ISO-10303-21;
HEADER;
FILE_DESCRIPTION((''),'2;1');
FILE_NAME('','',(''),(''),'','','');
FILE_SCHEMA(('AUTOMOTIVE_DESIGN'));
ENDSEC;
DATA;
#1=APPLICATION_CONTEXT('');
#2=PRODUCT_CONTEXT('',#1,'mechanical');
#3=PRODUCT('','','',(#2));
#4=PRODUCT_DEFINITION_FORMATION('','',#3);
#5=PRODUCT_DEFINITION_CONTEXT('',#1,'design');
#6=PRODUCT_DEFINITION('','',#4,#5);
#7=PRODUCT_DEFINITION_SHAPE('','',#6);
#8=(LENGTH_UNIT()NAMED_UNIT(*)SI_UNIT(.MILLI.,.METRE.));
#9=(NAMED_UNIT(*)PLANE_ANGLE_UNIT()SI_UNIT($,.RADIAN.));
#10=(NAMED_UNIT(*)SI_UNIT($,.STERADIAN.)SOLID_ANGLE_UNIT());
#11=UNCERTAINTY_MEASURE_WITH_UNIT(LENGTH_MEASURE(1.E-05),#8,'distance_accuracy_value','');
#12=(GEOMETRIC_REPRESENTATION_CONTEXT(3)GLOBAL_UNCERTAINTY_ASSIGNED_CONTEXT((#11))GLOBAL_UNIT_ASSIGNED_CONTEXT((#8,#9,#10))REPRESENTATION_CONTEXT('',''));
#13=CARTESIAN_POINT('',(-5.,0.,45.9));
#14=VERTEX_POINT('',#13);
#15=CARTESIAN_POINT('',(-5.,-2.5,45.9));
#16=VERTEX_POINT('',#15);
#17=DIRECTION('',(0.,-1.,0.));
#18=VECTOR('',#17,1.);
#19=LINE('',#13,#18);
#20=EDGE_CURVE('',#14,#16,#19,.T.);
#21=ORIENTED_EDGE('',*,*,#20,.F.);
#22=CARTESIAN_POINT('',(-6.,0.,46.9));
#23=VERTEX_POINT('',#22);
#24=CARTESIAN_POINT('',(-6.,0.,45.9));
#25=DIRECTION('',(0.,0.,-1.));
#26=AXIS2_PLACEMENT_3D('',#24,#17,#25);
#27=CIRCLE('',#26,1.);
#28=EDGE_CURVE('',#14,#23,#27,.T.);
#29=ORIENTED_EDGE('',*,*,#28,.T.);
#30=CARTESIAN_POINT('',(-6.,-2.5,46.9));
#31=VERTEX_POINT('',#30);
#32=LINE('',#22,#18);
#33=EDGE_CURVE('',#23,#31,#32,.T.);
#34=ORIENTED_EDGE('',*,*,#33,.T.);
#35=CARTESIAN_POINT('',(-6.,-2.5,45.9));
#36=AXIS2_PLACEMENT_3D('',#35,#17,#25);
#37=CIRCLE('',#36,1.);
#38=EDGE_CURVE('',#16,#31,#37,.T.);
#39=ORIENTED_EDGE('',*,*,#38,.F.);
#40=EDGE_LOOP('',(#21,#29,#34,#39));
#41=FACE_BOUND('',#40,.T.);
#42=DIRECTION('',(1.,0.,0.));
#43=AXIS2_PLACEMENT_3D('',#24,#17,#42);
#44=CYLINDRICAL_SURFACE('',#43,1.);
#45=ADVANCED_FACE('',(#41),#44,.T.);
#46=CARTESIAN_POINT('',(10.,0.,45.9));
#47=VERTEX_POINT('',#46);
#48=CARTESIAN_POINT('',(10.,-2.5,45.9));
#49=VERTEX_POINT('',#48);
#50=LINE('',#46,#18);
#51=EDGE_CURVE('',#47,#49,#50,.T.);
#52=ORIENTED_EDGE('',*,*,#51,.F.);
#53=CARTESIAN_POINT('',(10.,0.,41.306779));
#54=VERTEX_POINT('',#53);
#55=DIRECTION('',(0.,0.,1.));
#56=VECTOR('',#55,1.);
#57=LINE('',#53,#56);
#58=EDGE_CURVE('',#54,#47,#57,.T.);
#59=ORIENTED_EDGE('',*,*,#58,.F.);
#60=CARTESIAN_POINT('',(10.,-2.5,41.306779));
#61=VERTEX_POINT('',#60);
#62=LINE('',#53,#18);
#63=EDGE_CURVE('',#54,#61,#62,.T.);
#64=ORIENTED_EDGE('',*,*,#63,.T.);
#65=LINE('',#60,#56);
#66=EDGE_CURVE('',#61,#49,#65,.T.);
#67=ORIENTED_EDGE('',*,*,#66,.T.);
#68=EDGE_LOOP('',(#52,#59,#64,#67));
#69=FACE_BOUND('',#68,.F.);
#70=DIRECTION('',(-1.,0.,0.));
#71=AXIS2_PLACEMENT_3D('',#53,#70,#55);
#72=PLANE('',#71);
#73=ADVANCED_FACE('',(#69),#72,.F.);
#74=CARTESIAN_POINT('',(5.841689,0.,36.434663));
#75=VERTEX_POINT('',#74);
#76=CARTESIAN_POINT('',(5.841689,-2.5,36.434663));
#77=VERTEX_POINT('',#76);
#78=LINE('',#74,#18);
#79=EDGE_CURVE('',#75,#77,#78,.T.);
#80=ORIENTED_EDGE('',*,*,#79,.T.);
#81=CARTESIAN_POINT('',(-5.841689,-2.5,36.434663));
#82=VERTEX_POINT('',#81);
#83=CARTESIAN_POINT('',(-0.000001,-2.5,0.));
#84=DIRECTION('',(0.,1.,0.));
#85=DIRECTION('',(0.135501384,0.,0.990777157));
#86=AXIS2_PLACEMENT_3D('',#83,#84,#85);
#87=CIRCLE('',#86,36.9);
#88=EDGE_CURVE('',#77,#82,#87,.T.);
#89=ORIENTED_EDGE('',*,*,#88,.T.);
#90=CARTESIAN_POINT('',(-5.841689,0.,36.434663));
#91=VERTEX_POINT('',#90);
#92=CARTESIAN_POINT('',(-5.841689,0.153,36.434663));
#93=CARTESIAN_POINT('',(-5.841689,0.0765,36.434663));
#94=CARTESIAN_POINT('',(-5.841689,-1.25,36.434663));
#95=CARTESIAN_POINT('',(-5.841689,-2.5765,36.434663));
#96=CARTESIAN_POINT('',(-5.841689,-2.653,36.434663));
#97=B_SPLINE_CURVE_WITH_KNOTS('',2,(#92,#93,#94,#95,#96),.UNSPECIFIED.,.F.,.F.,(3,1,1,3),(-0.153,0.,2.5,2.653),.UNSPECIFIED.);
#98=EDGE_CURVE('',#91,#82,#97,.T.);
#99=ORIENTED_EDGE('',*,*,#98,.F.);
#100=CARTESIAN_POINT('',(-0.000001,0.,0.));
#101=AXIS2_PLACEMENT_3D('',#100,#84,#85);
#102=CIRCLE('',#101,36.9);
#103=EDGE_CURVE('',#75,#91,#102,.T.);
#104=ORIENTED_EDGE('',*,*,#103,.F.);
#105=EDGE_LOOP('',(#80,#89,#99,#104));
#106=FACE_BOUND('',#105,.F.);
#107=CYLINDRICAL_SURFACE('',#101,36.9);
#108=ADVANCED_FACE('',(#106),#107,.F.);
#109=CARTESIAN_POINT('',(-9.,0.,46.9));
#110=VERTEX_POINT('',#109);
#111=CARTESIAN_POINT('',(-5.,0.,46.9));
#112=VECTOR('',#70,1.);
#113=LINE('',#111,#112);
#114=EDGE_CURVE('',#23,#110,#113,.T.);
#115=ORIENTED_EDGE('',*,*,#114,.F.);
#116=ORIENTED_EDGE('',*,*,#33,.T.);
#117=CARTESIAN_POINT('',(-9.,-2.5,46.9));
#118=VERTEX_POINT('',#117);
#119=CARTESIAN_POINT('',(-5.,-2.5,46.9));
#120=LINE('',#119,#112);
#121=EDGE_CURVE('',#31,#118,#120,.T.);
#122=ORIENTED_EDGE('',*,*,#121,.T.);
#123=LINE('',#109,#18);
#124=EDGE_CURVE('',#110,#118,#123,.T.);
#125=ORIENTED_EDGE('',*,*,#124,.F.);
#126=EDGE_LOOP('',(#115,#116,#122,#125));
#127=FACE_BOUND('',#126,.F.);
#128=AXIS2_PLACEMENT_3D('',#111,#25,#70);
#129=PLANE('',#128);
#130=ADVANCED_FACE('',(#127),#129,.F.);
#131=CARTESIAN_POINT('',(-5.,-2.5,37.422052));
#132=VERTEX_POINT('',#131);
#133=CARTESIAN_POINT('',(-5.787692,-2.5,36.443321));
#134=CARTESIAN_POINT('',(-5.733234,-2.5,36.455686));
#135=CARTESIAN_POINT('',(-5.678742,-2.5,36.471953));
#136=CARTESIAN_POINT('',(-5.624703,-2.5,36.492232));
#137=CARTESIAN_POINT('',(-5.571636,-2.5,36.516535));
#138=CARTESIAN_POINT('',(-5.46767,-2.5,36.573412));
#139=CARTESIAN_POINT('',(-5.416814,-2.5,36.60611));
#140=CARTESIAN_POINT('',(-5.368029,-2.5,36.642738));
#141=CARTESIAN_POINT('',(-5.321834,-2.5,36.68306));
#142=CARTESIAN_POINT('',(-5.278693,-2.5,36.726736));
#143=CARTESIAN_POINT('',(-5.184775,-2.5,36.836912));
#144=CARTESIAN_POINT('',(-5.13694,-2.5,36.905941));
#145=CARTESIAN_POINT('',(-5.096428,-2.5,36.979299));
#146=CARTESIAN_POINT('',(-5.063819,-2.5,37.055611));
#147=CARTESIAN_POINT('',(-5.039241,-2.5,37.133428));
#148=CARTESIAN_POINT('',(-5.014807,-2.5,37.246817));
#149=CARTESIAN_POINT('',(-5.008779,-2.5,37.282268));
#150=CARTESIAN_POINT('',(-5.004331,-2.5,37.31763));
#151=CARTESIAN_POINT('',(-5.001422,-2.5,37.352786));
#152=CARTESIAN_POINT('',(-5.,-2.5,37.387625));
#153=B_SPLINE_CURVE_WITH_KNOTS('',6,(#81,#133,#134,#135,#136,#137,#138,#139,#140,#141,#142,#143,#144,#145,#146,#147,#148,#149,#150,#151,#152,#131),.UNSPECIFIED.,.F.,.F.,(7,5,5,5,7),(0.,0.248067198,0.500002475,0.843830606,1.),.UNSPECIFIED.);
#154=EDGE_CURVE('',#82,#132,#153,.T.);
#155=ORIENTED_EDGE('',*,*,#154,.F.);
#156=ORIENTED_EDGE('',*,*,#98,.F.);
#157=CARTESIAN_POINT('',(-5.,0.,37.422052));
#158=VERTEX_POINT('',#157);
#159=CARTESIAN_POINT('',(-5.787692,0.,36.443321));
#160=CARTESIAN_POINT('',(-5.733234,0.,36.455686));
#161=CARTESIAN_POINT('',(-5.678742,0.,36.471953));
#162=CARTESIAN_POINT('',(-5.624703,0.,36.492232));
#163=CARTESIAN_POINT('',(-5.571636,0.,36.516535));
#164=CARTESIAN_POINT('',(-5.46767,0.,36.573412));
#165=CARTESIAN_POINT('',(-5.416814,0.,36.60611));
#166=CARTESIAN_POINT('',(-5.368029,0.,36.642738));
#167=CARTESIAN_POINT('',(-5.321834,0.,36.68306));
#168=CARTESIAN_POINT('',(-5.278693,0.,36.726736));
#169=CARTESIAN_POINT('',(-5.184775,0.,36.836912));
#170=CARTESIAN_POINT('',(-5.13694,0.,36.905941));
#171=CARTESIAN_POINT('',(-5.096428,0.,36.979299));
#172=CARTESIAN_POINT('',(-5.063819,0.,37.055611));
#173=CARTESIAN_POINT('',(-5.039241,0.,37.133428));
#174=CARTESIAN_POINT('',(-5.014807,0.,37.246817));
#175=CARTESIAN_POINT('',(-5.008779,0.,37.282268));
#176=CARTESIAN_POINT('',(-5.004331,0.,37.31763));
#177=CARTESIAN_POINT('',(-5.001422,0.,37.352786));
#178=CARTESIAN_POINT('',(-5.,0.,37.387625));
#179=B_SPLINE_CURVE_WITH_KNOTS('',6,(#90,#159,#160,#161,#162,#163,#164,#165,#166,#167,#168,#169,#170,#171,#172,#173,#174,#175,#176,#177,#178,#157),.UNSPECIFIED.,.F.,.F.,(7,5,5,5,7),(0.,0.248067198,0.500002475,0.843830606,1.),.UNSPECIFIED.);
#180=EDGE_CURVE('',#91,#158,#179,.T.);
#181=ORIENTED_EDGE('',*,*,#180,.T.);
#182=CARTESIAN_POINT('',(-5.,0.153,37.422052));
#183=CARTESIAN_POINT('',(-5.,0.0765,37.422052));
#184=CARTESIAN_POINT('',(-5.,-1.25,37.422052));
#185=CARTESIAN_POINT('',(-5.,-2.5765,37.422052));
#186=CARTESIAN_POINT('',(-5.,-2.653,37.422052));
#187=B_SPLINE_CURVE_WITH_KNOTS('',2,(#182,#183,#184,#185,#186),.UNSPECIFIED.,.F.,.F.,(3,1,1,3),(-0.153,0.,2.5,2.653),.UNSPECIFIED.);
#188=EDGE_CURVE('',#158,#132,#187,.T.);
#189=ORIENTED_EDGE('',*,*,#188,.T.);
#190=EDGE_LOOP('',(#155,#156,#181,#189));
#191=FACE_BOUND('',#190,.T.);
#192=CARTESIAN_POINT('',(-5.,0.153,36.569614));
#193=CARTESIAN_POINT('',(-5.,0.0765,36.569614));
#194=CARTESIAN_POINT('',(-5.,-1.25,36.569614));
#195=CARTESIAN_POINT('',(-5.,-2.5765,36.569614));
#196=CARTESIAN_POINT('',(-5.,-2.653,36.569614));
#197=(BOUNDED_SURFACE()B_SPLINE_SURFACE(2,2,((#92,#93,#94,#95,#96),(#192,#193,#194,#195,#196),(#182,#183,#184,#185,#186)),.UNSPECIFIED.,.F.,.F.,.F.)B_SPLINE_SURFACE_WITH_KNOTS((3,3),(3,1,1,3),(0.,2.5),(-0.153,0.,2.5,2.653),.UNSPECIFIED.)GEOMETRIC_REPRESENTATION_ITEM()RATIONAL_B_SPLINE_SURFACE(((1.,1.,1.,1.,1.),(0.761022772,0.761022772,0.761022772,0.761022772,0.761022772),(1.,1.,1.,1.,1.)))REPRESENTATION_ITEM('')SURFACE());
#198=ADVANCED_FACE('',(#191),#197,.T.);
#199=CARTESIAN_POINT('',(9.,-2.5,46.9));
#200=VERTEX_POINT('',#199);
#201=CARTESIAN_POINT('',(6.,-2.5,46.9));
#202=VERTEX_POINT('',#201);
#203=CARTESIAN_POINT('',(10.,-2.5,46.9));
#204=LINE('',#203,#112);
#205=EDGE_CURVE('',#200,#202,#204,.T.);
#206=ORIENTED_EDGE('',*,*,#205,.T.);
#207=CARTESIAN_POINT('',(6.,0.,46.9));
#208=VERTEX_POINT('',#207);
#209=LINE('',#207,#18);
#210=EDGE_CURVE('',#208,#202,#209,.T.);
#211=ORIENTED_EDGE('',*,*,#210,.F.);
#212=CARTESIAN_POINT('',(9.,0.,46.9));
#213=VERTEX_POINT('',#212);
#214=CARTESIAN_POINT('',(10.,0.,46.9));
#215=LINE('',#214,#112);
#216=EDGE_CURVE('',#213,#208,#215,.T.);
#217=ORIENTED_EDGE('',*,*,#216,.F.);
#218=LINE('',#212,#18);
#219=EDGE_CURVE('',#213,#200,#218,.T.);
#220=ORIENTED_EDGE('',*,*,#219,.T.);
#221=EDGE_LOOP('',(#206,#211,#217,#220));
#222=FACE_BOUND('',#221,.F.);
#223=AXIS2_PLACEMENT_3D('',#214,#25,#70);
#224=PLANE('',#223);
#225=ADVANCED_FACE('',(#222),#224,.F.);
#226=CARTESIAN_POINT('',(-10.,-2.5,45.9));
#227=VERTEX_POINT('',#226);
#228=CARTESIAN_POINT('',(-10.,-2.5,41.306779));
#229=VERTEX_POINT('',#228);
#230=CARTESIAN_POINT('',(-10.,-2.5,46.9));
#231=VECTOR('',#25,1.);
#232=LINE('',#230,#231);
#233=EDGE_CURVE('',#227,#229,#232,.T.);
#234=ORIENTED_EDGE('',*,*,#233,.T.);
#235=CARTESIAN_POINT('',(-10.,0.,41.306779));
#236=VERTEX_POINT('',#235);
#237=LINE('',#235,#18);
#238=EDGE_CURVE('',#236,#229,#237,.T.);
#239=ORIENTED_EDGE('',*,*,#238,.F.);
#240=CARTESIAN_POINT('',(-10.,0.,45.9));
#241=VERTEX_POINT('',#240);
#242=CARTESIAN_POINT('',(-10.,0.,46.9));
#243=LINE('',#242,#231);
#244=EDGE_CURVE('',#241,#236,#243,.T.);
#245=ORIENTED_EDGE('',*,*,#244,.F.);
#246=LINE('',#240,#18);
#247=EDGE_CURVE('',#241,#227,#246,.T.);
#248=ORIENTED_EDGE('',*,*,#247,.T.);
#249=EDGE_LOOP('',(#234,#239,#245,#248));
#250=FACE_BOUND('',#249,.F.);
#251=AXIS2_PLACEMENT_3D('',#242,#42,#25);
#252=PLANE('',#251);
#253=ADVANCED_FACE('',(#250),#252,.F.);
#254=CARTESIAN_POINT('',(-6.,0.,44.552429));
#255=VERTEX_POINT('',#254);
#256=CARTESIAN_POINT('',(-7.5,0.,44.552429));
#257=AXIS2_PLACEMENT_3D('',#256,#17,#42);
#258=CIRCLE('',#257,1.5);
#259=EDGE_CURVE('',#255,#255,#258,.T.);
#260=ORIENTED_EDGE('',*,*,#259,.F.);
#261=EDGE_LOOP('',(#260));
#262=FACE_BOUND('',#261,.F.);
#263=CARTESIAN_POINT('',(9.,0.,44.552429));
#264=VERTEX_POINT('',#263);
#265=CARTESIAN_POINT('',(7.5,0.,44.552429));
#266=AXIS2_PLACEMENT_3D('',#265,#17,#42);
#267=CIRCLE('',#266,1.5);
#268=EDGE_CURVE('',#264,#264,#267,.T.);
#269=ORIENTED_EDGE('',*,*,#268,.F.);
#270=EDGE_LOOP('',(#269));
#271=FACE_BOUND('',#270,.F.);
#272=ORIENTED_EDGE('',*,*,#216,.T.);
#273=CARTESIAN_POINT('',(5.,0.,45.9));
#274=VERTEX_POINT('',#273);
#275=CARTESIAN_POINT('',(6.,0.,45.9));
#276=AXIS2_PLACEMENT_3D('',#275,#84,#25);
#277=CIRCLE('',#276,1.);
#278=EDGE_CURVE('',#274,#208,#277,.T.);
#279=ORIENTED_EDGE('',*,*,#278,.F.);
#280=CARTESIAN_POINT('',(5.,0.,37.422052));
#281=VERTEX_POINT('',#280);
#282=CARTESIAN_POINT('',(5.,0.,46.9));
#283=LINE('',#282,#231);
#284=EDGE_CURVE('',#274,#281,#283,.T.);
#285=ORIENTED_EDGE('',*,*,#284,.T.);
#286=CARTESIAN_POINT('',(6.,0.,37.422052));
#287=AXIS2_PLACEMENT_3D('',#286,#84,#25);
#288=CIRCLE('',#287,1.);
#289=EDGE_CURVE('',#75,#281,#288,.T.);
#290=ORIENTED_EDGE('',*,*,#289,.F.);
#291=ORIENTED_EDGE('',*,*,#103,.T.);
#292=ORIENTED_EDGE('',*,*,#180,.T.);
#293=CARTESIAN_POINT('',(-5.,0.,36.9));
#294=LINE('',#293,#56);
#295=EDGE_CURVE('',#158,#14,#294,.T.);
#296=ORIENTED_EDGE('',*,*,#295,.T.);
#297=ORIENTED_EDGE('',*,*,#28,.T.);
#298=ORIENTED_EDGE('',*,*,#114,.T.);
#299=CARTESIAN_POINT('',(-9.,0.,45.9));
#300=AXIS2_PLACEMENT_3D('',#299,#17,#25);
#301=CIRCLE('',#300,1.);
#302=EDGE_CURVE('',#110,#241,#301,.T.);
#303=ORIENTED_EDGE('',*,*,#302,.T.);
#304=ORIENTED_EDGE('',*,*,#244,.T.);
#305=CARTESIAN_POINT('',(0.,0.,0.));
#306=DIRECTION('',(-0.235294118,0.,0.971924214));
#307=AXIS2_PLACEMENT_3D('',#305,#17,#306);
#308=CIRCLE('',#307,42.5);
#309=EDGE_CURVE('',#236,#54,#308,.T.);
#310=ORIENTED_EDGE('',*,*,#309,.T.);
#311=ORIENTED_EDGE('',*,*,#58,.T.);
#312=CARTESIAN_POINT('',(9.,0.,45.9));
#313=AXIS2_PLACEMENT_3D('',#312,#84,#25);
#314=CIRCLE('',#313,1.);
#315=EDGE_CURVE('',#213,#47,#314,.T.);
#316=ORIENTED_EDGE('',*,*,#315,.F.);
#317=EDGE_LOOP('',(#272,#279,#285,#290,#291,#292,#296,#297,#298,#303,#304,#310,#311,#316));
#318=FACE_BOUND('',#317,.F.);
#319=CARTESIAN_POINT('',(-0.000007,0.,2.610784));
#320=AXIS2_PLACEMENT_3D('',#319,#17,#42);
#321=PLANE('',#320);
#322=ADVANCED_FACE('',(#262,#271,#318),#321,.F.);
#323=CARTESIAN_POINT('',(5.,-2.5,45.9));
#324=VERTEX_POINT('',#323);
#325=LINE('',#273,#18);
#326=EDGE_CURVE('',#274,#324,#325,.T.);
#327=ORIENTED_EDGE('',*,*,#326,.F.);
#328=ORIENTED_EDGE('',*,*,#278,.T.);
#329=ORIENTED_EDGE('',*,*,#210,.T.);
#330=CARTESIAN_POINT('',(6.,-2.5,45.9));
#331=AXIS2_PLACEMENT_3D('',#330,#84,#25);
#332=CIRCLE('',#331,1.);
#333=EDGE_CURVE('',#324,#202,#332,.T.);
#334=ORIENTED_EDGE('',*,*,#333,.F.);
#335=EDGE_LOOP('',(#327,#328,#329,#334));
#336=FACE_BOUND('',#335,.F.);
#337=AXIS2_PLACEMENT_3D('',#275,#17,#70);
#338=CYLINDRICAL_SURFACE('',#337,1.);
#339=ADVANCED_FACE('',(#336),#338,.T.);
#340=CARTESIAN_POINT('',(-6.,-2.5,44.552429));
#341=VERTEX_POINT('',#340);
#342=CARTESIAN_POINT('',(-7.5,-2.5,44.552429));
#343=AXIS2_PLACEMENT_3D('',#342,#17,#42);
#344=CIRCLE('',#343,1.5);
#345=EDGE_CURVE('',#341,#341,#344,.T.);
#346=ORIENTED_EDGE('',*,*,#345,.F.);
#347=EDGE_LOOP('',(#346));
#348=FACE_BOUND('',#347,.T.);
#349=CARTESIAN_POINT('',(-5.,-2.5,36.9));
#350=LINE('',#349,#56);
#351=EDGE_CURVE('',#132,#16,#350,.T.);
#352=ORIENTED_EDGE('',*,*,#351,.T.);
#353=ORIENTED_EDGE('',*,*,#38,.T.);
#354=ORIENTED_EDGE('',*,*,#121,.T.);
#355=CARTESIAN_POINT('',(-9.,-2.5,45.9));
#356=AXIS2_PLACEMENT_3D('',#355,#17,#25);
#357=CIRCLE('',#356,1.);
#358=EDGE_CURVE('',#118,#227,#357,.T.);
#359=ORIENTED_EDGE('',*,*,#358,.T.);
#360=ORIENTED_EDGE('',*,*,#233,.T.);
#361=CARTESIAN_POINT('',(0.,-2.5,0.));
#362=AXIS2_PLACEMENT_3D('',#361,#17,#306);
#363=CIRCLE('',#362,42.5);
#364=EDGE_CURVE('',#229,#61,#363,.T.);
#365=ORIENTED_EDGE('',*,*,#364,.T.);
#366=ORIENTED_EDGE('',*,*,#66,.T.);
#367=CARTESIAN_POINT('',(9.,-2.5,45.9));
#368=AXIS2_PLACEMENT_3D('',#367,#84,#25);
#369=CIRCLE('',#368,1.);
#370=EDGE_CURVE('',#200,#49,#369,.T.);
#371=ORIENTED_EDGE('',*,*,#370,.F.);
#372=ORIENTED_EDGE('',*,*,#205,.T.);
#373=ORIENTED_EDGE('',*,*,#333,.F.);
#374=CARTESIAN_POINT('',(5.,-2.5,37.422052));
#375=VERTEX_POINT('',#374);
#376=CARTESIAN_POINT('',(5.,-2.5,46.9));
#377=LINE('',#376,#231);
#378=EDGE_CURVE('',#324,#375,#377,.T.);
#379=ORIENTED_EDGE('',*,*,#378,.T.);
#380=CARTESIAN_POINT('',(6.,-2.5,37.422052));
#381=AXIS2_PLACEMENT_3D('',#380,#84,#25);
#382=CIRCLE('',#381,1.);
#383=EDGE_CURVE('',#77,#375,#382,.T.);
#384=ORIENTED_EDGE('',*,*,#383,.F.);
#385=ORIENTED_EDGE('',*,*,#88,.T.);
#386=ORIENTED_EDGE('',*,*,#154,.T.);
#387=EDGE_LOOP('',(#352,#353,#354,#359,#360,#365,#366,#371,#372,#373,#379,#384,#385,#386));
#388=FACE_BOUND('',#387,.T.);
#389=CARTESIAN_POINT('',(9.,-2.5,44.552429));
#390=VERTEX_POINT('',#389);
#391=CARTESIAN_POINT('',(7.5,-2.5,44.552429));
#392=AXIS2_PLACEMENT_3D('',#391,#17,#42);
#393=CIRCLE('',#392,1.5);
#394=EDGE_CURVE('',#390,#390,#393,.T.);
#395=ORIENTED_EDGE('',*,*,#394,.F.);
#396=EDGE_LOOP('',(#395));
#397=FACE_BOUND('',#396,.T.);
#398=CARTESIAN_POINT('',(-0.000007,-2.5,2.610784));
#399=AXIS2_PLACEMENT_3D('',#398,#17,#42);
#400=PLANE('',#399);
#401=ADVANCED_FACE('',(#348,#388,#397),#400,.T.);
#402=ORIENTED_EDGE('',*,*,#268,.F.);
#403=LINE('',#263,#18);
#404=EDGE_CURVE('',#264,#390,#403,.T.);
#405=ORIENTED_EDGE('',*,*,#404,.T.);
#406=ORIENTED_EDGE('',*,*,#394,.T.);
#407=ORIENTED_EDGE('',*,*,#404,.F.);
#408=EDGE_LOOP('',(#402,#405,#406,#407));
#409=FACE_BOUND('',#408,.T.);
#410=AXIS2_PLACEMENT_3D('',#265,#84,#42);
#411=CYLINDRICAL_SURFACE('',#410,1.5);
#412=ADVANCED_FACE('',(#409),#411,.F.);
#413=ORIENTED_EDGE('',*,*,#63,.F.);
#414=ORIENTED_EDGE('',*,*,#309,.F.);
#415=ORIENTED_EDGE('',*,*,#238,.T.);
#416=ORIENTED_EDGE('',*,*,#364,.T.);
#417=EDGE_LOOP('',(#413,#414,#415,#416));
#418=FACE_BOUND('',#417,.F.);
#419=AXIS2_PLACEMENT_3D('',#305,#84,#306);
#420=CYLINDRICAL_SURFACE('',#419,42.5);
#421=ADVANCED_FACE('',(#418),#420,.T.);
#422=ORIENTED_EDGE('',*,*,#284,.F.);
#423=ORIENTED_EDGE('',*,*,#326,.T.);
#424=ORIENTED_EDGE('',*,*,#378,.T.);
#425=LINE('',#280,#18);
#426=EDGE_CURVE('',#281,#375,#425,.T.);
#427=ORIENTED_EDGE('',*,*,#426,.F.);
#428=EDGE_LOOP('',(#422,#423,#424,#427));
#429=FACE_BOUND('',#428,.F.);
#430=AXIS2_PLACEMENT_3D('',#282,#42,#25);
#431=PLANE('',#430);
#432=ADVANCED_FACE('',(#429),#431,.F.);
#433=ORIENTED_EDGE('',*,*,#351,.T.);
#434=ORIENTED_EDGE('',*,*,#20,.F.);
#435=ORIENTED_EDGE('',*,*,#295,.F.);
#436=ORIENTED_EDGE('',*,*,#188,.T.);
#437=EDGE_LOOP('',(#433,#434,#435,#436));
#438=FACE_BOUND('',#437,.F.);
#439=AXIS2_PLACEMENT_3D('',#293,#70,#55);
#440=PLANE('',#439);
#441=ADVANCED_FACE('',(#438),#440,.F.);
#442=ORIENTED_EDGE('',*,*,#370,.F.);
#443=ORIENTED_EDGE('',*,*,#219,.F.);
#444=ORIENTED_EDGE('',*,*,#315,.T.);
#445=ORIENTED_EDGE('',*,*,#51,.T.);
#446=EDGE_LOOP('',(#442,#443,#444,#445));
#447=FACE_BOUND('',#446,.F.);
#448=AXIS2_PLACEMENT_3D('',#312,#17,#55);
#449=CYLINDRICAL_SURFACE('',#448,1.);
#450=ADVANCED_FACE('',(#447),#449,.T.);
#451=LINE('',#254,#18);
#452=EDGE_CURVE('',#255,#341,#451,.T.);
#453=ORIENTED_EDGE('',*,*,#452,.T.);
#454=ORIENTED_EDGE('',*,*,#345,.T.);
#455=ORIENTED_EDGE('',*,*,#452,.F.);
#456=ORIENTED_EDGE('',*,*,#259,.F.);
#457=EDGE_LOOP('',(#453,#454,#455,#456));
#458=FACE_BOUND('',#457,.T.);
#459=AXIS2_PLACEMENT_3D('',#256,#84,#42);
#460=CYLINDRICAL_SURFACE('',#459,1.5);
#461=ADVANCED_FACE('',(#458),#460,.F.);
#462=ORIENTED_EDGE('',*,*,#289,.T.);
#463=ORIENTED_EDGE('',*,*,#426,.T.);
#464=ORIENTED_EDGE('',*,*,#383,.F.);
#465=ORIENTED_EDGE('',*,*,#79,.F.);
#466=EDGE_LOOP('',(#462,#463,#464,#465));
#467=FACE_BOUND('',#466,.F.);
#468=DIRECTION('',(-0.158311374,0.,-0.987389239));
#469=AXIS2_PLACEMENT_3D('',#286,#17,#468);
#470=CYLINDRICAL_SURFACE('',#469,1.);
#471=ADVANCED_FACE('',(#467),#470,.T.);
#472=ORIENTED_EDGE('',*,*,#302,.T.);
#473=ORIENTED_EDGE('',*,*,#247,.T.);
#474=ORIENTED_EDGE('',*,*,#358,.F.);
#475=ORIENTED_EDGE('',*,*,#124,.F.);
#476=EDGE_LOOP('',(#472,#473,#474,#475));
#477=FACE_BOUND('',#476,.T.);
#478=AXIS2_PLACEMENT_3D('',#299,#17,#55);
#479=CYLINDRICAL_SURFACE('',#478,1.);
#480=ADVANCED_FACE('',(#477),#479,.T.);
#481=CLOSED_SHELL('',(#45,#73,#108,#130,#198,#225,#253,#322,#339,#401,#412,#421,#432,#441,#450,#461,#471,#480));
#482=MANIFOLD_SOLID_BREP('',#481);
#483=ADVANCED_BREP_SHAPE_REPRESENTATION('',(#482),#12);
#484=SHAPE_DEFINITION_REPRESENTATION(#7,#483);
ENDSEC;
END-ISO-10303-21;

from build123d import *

# Parameters (mm, degrees)
F0_R     = 1.5
F1_DEPTH = 2.5
F2_R     = 1


with BuildPart() as f1:
    # F0 (on Front) → F1 (new body)
    with BuildSketch(Plane.XZ):
        with BuildLine():
            ThreePointArc((5, 36.559677), (-0.000826, -36.9), (-4.998364, 36.559901))
            Line((-4.998364, 36.559901), (-5, 36.9))
            Line((-5, 36.9), (-5, 42.204858))
            Line((-5, 42.204858), (-5, 46.9))
            Line((-5, 46.9), (-7.5, 46.9))
            Line((-7.5, 46.9), (-10, 46.9))
            Line((-10, 46.9), (-10, 41.306779))
            ThreePointArc((-10, 41.306779), (0, -42.5), (10, 41.306779))
            Line((10, 41.306779), (10, 46.9))
            Line((10, 46.9), (7.5, 46.9))
            Line((7.5, 46.9), (5, 46.9))
            Line((5, 46.9), (5, 42.204858))
            Line((5, 42.204858), (5, 36.9))
            Line((5, 36.9), (5, 36.559677))
        make_face()
        with Locations((-7.5, 44.552429)):
            Circle(F0_R, mode=Mode.SUBTRACT)
        with Locations((7.5, 44.552429)):
            Circle(F0_R, mode=Mode.SUBTRACT)
    extrude(amount=F1_DEPTH)

    # F2
    f2_edges = [f1.edges().sort_by_distance(p)[0] for p in [
        (-10, -1.25, 46.9),
        (-5, -1.25, 46.9),
        (5, -1.25, 46.9),
        (10, -1.25, 46.9),
        (5, -1.25, 36.559677),
        (-4.998364, -1.25, 36.559901),
    ]]
    fillet(f2_edges, radius=F2_R)


solid = f1.part
